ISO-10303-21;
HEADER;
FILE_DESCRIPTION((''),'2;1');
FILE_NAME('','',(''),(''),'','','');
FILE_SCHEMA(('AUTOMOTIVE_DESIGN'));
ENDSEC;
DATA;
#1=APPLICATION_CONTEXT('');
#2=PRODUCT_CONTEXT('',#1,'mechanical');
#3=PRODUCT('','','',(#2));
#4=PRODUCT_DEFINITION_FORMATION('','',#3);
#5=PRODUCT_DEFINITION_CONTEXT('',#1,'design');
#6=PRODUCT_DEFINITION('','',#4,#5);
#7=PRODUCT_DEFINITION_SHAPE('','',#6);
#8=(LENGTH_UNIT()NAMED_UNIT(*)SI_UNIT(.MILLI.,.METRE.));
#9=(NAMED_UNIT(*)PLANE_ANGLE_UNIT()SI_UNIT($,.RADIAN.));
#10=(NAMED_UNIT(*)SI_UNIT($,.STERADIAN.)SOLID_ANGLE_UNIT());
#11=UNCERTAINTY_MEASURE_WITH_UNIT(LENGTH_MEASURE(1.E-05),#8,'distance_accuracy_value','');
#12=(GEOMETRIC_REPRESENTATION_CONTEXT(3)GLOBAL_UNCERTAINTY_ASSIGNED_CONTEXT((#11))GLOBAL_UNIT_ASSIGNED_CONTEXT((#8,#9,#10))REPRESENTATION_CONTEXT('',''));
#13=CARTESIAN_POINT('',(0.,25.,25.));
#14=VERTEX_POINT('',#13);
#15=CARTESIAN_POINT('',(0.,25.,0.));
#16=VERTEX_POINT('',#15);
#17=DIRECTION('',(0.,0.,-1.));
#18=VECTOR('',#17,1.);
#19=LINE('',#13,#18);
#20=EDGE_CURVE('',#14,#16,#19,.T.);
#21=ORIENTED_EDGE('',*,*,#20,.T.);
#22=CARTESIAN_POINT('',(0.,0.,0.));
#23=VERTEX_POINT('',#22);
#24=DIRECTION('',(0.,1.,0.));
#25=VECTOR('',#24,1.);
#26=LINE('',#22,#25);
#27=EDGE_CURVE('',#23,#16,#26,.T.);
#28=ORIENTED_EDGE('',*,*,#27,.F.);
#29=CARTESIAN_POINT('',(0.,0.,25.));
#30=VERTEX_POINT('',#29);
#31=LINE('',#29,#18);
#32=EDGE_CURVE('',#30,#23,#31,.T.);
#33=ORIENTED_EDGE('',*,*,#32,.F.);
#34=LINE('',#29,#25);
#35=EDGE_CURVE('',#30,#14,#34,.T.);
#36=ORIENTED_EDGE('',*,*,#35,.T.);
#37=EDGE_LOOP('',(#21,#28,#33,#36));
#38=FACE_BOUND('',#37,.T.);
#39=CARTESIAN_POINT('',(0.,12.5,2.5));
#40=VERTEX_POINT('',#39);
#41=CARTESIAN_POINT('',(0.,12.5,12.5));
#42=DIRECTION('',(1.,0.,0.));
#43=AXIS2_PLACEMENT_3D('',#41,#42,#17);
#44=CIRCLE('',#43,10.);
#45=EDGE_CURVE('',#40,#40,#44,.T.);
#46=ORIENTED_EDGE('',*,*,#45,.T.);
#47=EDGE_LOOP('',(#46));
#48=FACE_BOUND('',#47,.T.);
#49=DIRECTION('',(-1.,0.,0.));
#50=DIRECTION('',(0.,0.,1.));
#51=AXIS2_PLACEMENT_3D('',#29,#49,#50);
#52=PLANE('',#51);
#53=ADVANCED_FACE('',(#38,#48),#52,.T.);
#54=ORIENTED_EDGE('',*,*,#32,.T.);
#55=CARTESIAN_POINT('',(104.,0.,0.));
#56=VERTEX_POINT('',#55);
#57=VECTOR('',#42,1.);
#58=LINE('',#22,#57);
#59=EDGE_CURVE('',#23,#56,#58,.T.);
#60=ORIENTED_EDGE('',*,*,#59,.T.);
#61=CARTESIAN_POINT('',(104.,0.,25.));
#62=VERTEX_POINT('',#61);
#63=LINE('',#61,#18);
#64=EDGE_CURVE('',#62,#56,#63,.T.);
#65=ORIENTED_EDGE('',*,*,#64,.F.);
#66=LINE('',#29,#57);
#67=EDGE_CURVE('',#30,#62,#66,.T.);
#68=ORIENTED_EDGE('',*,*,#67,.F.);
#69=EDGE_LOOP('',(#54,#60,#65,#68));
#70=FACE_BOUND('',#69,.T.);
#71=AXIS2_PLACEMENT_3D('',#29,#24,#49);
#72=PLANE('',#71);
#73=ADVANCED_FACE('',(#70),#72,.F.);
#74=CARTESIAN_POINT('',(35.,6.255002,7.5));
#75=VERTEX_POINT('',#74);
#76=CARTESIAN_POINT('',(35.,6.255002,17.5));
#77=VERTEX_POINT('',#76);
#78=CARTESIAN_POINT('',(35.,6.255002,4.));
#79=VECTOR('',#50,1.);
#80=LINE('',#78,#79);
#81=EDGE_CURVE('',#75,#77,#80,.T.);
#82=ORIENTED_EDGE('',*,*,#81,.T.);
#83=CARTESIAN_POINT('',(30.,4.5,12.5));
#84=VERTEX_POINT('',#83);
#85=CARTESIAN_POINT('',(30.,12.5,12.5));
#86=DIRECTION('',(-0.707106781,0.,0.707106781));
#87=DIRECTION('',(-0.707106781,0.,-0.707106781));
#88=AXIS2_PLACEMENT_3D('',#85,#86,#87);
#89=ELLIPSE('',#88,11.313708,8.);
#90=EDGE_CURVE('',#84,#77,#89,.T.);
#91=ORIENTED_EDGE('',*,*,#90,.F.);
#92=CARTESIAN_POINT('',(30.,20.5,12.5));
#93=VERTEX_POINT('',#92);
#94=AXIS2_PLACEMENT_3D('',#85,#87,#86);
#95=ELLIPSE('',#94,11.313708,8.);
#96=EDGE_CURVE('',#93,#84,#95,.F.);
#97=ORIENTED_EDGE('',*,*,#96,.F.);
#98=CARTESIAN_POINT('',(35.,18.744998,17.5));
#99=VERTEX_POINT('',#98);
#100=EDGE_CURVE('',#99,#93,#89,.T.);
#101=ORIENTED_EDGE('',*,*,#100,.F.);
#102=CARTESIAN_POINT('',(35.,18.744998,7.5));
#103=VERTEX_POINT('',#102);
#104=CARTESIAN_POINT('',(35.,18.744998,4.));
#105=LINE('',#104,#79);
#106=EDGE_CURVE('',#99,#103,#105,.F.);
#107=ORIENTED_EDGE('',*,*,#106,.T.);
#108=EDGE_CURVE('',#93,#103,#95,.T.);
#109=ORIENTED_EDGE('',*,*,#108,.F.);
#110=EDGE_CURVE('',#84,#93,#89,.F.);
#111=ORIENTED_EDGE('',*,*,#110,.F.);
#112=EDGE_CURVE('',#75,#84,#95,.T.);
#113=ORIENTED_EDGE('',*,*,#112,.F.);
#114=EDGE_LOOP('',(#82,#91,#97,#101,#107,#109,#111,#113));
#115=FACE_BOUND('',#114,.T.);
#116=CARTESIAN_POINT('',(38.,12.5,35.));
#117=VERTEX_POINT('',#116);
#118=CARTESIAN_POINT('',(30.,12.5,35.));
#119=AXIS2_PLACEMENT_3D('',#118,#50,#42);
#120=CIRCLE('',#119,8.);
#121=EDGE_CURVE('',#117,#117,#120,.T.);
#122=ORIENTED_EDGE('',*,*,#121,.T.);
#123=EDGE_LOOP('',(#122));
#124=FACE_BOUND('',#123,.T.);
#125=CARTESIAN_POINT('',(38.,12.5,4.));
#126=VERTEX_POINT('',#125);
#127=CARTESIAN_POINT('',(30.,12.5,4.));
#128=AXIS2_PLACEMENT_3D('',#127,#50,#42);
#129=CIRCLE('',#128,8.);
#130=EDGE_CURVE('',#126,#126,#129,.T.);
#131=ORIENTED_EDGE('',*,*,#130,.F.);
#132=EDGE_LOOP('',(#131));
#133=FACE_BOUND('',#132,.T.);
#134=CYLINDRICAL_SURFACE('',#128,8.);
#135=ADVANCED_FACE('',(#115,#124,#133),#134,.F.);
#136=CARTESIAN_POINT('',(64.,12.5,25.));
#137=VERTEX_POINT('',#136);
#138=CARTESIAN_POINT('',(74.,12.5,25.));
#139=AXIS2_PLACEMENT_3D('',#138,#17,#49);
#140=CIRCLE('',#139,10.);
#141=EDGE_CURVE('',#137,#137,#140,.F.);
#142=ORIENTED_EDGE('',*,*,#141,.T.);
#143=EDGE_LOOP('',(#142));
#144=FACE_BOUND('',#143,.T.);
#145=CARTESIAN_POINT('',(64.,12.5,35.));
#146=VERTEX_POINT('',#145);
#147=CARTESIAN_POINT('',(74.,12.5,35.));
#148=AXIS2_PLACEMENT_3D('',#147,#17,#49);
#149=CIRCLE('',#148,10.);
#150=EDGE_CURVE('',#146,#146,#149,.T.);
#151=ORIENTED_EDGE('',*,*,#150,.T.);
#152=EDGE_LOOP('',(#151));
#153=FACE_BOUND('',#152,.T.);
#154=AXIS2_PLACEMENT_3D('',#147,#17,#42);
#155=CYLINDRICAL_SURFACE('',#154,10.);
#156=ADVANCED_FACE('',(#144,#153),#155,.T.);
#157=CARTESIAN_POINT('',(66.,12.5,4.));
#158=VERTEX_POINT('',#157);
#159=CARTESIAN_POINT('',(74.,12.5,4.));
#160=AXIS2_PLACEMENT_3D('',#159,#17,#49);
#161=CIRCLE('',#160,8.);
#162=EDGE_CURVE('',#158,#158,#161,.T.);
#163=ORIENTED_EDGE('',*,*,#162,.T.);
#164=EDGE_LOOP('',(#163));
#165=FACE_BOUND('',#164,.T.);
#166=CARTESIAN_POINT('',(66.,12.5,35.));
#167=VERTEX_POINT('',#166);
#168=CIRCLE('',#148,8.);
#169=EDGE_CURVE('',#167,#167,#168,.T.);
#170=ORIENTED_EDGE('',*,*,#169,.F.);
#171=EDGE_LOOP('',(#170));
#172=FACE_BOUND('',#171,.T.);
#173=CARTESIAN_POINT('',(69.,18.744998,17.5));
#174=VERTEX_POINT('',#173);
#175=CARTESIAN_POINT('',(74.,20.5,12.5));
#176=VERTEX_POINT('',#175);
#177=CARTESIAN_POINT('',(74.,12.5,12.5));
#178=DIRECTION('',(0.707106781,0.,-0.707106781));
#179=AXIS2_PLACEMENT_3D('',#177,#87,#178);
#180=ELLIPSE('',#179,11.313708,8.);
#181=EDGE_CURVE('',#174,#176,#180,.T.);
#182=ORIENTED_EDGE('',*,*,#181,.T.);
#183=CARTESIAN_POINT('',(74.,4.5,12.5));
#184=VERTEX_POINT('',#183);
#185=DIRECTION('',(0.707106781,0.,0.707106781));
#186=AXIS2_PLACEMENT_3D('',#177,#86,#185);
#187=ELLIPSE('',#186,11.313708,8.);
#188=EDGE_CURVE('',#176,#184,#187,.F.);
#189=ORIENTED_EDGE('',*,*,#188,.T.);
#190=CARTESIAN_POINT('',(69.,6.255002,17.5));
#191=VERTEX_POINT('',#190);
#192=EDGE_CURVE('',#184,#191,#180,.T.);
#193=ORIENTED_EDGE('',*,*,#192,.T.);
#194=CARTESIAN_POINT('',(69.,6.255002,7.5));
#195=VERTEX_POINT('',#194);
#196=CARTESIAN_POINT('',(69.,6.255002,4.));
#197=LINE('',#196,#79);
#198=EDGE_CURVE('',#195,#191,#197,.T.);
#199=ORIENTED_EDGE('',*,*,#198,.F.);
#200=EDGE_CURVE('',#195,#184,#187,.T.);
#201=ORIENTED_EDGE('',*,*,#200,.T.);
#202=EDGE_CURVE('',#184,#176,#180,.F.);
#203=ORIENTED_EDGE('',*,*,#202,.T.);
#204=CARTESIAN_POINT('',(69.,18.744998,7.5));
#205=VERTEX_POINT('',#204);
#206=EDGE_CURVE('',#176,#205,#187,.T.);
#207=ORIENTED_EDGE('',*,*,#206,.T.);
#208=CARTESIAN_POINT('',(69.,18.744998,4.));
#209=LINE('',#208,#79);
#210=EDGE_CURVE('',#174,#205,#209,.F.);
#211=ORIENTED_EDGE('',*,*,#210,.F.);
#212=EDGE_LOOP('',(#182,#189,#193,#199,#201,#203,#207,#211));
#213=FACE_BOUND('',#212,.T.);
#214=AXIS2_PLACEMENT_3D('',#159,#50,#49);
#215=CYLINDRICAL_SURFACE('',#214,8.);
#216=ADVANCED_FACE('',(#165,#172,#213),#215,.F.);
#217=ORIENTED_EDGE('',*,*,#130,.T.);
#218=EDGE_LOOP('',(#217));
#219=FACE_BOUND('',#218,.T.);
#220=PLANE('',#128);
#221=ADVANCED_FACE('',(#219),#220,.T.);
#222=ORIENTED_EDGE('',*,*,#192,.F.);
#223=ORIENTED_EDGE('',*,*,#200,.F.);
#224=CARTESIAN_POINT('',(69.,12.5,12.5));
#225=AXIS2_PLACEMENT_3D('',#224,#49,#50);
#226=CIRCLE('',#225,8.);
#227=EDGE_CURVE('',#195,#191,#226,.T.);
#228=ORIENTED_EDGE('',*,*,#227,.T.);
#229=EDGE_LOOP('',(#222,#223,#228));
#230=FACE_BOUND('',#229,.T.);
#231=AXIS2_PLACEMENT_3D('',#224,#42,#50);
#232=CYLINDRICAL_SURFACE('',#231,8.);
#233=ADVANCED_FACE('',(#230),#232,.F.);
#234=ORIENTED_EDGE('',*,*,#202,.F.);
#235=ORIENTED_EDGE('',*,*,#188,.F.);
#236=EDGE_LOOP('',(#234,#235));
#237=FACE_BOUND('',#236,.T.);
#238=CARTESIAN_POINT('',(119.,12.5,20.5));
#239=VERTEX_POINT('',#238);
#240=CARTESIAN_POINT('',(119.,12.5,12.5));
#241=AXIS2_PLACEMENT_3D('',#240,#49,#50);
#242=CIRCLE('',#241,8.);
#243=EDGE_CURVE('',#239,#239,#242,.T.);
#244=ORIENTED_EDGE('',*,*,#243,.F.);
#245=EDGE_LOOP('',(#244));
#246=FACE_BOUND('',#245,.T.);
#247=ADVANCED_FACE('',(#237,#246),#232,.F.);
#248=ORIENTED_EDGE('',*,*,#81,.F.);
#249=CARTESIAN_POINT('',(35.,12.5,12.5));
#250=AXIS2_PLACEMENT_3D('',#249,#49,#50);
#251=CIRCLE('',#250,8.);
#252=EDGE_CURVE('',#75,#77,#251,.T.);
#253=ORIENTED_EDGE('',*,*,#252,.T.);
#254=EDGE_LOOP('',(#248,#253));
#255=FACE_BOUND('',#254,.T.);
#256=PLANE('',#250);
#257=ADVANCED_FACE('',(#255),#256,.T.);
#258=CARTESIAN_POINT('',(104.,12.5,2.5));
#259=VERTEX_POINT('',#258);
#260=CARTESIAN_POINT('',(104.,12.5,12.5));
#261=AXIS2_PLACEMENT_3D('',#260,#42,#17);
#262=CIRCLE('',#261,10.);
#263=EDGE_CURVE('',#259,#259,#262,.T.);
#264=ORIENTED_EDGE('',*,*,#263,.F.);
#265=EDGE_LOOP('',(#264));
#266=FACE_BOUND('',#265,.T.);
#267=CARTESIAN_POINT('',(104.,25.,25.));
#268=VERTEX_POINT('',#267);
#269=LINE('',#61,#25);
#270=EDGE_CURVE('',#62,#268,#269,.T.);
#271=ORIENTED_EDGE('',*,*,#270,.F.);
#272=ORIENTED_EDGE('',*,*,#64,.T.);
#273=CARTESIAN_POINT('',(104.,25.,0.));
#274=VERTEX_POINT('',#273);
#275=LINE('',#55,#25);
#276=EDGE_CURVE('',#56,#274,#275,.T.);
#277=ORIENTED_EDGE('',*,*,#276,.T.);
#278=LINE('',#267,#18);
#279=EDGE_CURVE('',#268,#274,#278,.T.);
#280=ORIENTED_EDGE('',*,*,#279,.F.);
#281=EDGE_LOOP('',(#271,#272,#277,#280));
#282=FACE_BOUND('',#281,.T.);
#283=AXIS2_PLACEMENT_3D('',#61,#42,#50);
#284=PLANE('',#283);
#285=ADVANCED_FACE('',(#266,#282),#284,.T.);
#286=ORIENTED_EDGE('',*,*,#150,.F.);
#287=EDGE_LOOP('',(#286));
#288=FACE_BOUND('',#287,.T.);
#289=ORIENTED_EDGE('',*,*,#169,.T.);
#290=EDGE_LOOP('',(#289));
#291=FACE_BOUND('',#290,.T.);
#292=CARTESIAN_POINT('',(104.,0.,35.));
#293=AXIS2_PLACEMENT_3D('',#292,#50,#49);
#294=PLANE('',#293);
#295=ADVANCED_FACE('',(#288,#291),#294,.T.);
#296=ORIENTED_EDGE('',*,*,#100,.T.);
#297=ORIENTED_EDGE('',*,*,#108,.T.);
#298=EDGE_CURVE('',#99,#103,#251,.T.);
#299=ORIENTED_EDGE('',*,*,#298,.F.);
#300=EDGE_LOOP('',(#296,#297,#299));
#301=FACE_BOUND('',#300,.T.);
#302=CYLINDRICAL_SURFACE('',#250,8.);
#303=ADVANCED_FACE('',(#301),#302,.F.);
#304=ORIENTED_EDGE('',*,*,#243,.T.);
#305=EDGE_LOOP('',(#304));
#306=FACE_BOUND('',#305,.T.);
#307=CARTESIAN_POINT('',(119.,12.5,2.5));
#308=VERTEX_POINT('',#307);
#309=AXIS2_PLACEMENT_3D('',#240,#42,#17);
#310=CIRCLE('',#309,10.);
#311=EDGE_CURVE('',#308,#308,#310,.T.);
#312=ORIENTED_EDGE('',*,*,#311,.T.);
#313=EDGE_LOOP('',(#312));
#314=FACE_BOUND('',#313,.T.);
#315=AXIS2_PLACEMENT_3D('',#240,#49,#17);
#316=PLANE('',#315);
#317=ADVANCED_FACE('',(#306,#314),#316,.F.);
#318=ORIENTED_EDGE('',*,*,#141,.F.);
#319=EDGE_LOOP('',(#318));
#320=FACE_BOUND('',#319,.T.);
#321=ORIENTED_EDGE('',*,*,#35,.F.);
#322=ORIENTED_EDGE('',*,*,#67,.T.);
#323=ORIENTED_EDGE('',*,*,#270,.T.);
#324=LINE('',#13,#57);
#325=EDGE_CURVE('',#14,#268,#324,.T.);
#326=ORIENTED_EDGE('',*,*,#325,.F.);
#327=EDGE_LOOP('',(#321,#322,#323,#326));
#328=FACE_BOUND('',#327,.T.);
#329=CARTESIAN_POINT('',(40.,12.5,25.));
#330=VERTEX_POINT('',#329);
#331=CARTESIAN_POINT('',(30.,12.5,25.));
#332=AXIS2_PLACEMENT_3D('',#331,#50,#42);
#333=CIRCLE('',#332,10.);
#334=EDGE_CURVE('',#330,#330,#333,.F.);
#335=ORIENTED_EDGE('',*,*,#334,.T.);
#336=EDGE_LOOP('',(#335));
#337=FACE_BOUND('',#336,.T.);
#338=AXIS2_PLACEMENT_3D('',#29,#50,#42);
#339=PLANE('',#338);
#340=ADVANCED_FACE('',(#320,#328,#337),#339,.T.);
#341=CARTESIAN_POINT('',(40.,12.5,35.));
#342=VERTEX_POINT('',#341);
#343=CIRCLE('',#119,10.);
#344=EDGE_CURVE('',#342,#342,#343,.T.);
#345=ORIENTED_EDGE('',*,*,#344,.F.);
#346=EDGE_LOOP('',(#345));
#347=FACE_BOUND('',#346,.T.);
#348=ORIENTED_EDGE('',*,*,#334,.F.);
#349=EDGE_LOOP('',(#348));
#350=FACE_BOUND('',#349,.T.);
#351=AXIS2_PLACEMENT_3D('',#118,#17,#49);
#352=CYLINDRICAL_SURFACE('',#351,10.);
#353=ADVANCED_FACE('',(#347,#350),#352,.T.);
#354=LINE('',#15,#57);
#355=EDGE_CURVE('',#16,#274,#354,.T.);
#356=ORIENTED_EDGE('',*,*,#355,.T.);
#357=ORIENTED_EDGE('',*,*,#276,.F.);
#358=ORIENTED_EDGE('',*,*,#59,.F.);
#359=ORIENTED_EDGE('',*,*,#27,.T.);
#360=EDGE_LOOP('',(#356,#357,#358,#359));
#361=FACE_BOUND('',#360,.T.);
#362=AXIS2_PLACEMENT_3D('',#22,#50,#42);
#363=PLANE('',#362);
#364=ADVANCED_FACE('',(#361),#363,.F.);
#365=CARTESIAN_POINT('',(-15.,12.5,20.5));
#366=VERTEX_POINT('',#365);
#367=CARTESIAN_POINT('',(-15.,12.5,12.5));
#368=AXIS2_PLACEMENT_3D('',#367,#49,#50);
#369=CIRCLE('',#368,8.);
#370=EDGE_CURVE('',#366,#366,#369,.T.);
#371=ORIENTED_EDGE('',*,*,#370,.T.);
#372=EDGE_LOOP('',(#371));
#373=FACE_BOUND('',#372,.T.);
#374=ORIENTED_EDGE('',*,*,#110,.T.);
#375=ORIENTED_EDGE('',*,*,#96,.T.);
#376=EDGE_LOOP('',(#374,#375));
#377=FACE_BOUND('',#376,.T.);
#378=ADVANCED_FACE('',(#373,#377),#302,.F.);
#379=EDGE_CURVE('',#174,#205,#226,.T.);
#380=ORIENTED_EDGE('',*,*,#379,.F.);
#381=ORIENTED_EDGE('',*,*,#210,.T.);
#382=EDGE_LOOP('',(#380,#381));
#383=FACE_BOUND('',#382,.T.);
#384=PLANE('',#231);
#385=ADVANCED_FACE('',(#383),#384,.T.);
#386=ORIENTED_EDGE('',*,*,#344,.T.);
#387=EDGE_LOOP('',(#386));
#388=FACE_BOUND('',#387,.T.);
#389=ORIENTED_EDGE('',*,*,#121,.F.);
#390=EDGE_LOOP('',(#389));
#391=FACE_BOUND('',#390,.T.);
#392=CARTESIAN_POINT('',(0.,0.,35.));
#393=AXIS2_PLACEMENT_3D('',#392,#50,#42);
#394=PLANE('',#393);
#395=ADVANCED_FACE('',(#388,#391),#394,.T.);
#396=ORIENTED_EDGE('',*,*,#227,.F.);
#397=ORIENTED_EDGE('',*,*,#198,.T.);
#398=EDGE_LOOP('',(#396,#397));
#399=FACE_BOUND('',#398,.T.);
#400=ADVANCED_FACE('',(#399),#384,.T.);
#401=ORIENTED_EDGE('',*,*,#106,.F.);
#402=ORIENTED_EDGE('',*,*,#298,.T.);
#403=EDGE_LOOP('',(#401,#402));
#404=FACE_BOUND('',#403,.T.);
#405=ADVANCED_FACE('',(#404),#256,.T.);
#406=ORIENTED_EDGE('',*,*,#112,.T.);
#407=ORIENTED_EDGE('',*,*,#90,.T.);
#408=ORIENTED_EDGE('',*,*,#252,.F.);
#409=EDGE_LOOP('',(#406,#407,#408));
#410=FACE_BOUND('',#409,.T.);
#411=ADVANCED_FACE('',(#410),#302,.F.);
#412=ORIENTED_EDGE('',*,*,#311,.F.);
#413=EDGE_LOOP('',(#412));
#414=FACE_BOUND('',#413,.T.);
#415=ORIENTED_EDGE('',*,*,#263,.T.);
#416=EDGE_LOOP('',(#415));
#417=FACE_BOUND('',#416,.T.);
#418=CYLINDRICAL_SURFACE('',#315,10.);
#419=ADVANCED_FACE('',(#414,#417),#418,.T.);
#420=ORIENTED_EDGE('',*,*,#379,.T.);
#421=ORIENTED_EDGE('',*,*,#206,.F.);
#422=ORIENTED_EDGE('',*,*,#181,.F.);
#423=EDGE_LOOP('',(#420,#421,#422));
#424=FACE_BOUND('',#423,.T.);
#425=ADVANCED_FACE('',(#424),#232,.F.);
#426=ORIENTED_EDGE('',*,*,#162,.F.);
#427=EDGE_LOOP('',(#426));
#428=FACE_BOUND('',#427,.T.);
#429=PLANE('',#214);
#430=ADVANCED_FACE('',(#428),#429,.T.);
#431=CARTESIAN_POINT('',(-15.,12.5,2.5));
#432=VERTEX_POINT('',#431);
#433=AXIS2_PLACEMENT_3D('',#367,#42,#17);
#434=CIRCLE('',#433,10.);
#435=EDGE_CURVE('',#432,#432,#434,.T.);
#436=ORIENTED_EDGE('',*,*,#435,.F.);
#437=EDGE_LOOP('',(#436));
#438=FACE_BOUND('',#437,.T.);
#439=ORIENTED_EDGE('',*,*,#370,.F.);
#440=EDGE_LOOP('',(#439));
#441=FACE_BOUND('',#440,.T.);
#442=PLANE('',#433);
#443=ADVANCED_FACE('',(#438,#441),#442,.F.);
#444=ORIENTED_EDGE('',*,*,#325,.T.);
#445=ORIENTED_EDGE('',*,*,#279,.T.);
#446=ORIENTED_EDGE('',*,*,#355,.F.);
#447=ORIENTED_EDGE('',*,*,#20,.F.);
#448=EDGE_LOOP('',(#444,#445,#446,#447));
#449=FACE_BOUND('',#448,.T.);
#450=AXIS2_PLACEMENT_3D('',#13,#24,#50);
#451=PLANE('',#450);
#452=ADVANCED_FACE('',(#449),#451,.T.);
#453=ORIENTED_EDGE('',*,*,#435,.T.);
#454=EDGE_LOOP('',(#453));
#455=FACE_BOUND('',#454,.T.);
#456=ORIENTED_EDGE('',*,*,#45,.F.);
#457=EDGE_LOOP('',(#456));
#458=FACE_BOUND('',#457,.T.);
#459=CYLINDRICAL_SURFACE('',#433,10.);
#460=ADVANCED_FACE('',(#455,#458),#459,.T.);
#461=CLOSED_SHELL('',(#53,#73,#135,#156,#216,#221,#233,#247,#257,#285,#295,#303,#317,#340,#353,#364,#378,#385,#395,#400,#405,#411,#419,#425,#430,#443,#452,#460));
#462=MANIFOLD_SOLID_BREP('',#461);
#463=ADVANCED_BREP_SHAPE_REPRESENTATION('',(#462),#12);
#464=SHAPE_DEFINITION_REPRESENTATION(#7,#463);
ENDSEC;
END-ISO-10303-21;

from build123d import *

# Parameters (mm, degrees)
SZKIC1_W                    = 52
SZKIC1_H                    = 25
DODANIE_WYCI_GNI_CIE1_DEPTH = 25
SZKIC1_3_R                  = 10
DODANIE_WYCI_GNI_CIE2_DEPTH = 35
SZKIC2_R                    = 10
DODANIE_WYCI_GNI_CIE3_DEPTH = 15
SZKIC3_R                    = 8
WYTNIJ_WYCI_GNI_CIE1_DEPTH  = 50
SZKIC4_R                    = 8
WYTNIJ_WYCI_GNI_CIE2_DEPTH  = 31


with BuildPart() as part:
    # Szkic1 → Dodanie-wyci_gni_cie1 (new body)
    with BuildSketch(Plane.XY):
        with Locations((26, 12.5)):
            Rectangle(SZKIC1_W, SZKIC1_H)
    extrude(amount=DODANIE_WYCI_GNI_CIE1_DEPTH)

    # Szkic1_3 → Dodanie-wyci_gni_cie2 (add)
    with BuildSketch(Plane.XY):
        with Locations((30, 12.5)):
            Circle(SZKIC1_3_R)
    extrude(amount=DODANIE_WYCI_GNI_CIE2_DEPTH)

    # Szkic2 → Dodanie-wyci_gni_cie3 (add)
    with BuildSketch(Plane(origin=(0, 0, 0), x_dir=(0, 0, -1), z_dir=(1, 0, 0))):
        with Locations((-12.5, 12.5)):
            Circle(SZKIC2_R)
    extrude(amount=-DODANIE_WYCI_GNI_CIE3_DEPTH)

    # Szkic3 → Wytnij-wyci_gni_cie1 (cut)
    with BuildSketch(Plane.ZY.offset(15)):
        with Locations((12.5, 12.5)):
            Circle(SZKIC3_R)
    extrude(amount=-WYTNIJ_WYCI_GNI_CIE1_DEPTH, mode=Mode.SUBTRACT)

    # Szkic4 → Wytnij-wyci_gni_cie2 (cut)
    with BuildSketch(Plane.XY.offset(35)):
        with Locations((30, 12.5)):
            Circle(SZKIC4_R)
    extrude(amount=-WYTNIJ_WYCI_GNI_CIE2_DEPTH, mode=Mode.SUBTRACT)

    # Lustro1: part across plane


with BuildPart() as part_1:
    add(part.part)
    add(part.part.mirror(Plane(origin=(52, 0, 25), x_dir=(0, 0, 1), z_dir=(1, 0, 0))))


solid = part_1.part
